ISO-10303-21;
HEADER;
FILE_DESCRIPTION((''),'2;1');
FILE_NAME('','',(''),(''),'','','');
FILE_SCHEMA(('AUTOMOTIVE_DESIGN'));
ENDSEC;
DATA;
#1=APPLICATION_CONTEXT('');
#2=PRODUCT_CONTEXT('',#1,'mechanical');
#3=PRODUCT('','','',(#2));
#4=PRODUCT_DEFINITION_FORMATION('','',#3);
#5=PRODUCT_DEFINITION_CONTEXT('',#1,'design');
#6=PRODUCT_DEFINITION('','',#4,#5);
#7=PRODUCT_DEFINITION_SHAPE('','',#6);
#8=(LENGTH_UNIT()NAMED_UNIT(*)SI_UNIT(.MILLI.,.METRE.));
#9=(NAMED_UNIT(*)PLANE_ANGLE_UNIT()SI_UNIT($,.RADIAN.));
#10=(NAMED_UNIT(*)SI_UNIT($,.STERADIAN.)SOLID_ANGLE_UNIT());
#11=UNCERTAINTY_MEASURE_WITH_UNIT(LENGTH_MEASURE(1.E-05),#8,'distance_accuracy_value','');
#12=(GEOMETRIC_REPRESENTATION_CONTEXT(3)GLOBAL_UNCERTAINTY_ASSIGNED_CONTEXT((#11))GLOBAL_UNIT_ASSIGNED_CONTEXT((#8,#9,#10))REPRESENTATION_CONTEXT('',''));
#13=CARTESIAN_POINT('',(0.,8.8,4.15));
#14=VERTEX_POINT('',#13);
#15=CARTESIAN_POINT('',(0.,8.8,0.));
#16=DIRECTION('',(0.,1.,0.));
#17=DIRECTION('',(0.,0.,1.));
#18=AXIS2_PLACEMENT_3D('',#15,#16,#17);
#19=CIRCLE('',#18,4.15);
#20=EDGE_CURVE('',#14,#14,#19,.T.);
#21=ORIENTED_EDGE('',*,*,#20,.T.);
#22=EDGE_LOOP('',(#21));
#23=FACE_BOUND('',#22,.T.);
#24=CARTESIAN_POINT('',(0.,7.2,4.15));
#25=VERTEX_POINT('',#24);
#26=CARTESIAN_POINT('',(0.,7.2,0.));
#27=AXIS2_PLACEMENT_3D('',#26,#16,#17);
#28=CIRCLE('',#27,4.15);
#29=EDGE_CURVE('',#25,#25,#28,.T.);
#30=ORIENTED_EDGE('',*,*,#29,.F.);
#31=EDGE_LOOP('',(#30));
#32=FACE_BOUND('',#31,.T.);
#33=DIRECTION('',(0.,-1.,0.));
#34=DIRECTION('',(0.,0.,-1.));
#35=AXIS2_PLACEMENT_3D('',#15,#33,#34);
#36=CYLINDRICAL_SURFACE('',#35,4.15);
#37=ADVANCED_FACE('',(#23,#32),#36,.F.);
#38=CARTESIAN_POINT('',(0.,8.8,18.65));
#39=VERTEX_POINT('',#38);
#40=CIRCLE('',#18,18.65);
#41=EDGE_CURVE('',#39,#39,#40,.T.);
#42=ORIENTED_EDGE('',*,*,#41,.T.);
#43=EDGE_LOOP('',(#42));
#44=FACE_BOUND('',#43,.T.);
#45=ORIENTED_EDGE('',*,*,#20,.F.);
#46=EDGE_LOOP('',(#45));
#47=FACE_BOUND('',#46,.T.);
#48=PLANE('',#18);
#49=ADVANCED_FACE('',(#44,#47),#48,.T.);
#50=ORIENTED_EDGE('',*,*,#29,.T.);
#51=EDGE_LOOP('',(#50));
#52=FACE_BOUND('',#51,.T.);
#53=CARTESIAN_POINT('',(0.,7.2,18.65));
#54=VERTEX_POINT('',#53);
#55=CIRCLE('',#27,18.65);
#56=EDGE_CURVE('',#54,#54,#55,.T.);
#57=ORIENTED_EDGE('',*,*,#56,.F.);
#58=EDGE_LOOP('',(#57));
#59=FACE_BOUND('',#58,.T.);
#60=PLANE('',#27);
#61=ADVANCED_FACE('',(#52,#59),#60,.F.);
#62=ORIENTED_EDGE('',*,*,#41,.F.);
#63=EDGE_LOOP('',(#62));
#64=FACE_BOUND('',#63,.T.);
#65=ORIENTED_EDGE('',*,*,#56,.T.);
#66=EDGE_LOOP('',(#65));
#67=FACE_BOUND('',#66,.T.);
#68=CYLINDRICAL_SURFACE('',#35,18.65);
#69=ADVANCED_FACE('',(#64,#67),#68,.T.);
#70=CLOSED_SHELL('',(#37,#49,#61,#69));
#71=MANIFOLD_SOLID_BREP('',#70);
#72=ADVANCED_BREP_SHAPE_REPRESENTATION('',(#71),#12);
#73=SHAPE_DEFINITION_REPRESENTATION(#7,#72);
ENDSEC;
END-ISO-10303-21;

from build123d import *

# Parameters (mm, degrees)
SKETCH1_R           = 186.5
SKETCH1_R_2         = 41.5
BOSS_EXTRUDE1_DEPTH = 16
SCALE1_SCALE        = 0.1


with BuildPart() as part:
    # Sketch1 → Boss-Extrude1 (new body)
    with BuildSketch(Plane(origin=(0, 0, 0), x_dir=(1, 0, 0), z_dir=(0, 1, 0))):
        Circle(SKETCH1_R)
        Circle(SKETCH1_R_2, mode=Mode.SUBTRACT)
    extrude(amount=BOSS_EXTRUDE1_DEPTH)


with BuildPart() as part_1:
    # Scale1: scaled about (0, 8, 0)
    add(part.part.scale(SCALE1_SCALE).moved(Location((0, 7.2, 0))))


solid = part_1.part
